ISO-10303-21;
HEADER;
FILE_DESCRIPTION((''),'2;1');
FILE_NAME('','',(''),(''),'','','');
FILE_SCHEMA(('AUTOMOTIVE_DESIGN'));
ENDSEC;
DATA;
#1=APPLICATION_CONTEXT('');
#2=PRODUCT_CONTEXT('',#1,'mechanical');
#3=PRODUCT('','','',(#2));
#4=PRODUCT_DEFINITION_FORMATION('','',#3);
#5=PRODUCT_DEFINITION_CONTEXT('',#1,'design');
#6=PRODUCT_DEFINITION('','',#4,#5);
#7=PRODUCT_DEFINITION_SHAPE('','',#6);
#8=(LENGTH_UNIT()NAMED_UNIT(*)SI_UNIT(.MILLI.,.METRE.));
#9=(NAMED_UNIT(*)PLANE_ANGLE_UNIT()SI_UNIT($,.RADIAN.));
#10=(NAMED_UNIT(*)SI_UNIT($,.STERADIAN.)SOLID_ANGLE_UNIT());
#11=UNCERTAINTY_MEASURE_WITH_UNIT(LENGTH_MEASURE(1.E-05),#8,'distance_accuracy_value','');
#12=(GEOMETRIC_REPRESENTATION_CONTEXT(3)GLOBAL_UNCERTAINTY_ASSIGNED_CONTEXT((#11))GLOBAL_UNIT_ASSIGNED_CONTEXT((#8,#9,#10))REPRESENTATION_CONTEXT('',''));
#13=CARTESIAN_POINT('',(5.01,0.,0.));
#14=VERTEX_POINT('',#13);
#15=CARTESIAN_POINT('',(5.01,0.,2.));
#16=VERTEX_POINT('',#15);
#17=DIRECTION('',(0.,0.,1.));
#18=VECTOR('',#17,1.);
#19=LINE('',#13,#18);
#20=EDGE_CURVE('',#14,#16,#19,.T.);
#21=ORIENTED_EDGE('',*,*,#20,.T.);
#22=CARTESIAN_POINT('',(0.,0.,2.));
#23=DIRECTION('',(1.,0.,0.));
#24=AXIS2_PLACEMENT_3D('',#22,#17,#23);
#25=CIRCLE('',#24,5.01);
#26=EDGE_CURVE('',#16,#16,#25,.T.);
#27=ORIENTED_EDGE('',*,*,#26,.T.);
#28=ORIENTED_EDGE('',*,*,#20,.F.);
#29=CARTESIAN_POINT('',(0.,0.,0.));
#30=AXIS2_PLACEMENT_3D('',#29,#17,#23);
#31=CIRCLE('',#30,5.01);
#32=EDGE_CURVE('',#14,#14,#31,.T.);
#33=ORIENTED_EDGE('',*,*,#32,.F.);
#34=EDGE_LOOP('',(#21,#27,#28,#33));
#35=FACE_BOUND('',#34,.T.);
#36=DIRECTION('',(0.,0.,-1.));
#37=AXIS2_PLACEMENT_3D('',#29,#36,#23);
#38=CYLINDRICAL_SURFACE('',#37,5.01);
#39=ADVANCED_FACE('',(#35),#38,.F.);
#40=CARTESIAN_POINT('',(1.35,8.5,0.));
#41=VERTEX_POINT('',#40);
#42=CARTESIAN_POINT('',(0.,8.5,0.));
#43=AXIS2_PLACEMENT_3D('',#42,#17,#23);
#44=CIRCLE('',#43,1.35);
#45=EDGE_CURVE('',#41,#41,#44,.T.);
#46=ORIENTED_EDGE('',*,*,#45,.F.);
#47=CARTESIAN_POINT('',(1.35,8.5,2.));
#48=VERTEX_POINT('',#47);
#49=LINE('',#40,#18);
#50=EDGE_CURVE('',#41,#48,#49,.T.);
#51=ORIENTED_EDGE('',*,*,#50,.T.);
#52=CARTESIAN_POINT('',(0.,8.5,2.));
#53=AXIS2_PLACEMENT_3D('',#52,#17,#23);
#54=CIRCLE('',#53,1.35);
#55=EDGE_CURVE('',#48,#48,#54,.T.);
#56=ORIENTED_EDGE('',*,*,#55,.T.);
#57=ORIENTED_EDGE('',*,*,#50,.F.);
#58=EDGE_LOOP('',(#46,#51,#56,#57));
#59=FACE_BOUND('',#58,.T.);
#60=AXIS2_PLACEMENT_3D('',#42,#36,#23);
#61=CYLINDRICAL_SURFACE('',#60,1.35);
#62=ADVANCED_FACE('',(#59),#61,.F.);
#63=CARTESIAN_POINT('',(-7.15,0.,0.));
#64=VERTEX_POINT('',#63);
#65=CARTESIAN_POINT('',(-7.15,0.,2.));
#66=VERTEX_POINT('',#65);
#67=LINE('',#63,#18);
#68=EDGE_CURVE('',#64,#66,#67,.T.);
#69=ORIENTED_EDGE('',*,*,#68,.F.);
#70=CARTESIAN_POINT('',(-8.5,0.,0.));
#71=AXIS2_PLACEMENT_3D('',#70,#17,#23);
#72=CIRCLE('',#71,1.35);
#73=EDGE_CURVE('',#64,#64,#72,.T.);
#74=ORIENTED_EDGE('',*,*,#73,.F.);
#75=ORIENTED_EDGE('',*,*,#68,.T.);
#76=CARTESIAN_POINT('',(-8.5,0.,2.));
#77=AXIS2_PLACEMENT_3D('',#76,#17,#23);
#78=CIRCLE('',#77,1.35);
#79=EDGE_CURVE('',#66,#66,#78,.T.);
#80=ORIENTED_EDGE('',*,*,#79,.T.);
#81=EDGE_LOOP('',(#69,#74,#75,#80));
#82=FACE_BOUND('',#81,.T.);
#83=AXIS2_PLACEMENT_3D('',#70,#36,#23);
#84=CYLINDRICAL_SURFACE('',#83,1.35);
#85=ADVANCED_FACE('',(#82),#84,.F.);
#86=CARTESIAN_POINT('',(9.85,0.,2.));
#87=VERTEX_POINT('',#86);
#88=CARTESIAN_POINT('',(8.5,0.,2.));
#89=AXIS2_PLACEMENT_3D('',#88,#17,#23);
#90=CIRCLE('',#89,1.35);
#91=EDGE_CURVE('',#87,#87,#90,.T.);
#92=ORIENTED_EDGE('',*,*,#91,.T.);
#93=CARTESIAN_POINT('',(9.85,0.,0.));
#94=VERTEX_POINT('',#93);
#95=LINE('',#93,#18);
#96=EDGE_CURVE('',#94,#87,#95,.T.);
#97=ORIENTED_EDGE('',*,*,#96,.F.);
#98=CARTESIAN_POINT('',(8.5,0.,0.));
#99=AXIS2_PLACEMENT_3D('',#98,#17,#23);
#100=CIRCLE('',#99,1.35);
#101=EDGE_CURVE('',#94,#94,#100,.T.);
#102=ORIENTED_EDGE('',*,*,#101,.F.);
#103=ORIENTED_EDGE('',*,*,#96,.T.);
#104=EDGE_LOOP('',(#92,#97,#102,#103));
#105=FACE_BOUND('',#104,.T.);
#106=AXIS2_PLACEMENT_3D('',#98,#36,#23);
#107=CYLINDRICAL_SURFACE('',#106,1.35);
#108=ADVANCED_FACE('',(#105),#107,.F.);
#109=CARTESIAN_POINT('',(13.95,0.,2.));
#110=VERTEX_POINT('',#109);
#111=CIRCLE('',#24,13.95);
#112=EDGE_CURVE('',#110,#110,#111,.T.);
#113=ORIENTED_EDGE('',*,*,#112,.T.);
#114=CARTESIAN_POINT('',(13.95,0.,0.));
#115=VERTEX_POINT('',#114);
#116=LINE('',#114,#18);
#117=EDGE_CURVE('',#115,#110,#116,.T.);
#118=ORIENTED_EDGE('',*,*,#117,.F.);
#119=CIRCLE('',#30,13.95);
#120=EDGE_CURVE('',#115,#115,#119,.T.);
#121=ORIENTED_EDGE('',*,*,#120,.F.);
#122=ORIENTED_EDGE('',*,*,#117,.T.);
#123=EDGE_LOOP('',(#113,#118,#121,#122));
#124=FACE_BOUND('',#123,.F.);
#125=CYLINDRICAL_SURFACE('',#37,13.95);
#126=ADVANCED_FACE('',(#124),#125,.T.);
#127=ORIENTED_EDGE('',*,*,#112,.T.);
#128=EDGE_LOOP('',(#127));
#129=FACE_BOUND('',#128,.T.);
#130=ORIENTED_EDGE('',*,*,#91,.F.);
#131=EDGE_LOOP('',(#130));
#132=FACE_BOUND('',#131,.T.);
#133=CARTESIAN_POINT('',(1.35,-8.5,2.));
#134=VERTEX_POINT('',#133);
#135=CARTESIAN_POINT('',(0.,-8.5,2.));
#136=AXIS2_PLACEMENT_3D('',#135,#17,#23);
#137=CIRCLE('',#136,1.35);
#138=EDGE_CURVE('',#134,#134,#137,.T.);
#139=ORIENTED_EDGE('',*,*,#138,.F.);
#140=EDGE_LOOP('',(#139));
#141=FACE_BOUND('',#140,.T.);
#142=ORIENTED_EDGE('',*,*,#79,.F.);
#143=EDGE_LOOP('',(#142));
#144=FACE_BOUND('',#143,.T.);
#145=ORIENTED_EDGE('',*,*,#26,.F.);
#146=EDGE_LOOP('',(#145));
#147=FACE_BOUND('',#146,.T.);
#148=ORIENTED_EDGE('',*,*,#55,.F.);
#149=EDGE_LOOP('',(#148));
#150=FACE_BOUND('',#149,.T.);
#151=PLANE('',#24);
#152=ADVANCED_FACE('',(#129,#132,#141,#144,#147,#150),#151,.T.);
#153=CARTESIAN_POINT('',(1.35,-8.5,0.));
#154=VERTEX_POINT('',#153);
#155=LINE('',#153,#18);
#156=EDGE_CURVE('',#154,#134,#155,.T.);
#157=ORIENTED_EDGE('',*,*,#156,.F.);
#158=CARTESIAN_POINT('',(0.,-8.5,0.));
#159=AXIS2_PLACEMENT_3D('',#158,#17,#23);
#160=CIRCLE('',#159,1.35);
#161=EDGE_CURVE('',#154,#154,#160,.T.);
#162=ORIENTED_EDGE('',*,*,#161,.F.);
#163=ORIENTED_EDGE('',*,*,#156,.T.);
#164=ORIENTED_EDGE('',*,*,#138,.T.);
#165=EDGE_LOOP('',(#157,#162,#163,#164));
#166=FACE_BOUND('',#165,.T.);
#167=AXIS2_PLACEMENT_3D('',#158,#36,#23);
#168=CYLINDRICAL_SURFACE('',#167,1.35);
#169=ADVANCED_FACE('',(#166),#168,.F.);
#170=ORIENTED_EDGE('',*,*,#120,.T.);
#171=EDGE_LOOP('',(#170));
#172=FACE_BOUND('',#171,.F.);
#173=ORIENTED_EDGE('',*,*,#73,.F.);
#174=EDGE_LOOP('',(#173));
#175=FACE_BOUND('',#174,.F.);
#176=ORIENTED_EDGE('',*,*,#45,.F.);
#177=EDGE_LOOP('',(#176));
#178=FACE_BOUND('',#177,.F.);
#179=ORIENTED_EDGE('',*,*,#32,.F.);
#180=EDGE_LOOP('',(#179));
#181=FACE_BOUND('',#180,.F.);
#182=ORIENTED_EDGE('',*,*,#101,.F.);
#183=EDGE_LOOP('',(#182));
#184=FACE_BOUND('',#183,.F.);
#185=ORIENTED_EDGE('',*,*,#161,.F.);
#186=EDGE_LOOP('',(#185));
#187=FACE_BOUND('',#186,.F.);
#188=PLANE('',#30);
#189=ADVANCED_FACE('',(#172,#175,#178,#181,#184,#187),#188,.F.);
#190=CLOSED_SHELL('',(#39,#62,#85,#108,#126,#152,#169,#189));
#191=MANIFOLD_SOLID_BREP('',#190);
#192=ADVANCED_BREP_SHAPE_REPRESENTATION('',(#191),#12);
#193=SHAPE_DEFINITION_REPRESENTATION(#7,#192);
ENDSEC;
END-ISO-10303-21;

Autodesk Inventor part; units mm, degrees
ref_plane "YZ Plane" through (0, 0, 0) normal (1, 0, 0) x (0, 1, 0)
ref_plane "XZ Plane" through (0, 0, 0) normal (0, 1, 0) x (-1, 0, 0)
ref_plane "XY Plane" through (0, 0, 0) normal (0, 0, 1) x (1, 0, 0)
sketch "スケッチ1" plane through (0, 0, 0) normal (0, 0, 1) x (1, 0, 0)
  circle A0 centre (0, 0) radius 13.95
  line L0 (0, 13.95) -> (0, -13.95) construction
  circle A1 centre (0, 8.5) radius 1.35
  circle A2 centre (-8.5, 0) radius 1.35
  circle A3 centre (0, -8.5) radius 1.35
  circle A4 centre (8.5, 0) radius 1.35
  circle A5 centre (0, 0) radius 5 construction
  circle A6 centre (0, 0) radius 5.01
  dimension "d0" = 27.9
  dimension "d1" = 2.7
  dimension "d2" = 8.5
  dimension "d5" = 360
  dimension "d7" = 10
  dimension "d8" = 0.01
extrude "押し出し1" add sketch "スケッチ1" along normal blind 2
properties part number "Inner_flange" material "アルミニウム 2014-T4"
